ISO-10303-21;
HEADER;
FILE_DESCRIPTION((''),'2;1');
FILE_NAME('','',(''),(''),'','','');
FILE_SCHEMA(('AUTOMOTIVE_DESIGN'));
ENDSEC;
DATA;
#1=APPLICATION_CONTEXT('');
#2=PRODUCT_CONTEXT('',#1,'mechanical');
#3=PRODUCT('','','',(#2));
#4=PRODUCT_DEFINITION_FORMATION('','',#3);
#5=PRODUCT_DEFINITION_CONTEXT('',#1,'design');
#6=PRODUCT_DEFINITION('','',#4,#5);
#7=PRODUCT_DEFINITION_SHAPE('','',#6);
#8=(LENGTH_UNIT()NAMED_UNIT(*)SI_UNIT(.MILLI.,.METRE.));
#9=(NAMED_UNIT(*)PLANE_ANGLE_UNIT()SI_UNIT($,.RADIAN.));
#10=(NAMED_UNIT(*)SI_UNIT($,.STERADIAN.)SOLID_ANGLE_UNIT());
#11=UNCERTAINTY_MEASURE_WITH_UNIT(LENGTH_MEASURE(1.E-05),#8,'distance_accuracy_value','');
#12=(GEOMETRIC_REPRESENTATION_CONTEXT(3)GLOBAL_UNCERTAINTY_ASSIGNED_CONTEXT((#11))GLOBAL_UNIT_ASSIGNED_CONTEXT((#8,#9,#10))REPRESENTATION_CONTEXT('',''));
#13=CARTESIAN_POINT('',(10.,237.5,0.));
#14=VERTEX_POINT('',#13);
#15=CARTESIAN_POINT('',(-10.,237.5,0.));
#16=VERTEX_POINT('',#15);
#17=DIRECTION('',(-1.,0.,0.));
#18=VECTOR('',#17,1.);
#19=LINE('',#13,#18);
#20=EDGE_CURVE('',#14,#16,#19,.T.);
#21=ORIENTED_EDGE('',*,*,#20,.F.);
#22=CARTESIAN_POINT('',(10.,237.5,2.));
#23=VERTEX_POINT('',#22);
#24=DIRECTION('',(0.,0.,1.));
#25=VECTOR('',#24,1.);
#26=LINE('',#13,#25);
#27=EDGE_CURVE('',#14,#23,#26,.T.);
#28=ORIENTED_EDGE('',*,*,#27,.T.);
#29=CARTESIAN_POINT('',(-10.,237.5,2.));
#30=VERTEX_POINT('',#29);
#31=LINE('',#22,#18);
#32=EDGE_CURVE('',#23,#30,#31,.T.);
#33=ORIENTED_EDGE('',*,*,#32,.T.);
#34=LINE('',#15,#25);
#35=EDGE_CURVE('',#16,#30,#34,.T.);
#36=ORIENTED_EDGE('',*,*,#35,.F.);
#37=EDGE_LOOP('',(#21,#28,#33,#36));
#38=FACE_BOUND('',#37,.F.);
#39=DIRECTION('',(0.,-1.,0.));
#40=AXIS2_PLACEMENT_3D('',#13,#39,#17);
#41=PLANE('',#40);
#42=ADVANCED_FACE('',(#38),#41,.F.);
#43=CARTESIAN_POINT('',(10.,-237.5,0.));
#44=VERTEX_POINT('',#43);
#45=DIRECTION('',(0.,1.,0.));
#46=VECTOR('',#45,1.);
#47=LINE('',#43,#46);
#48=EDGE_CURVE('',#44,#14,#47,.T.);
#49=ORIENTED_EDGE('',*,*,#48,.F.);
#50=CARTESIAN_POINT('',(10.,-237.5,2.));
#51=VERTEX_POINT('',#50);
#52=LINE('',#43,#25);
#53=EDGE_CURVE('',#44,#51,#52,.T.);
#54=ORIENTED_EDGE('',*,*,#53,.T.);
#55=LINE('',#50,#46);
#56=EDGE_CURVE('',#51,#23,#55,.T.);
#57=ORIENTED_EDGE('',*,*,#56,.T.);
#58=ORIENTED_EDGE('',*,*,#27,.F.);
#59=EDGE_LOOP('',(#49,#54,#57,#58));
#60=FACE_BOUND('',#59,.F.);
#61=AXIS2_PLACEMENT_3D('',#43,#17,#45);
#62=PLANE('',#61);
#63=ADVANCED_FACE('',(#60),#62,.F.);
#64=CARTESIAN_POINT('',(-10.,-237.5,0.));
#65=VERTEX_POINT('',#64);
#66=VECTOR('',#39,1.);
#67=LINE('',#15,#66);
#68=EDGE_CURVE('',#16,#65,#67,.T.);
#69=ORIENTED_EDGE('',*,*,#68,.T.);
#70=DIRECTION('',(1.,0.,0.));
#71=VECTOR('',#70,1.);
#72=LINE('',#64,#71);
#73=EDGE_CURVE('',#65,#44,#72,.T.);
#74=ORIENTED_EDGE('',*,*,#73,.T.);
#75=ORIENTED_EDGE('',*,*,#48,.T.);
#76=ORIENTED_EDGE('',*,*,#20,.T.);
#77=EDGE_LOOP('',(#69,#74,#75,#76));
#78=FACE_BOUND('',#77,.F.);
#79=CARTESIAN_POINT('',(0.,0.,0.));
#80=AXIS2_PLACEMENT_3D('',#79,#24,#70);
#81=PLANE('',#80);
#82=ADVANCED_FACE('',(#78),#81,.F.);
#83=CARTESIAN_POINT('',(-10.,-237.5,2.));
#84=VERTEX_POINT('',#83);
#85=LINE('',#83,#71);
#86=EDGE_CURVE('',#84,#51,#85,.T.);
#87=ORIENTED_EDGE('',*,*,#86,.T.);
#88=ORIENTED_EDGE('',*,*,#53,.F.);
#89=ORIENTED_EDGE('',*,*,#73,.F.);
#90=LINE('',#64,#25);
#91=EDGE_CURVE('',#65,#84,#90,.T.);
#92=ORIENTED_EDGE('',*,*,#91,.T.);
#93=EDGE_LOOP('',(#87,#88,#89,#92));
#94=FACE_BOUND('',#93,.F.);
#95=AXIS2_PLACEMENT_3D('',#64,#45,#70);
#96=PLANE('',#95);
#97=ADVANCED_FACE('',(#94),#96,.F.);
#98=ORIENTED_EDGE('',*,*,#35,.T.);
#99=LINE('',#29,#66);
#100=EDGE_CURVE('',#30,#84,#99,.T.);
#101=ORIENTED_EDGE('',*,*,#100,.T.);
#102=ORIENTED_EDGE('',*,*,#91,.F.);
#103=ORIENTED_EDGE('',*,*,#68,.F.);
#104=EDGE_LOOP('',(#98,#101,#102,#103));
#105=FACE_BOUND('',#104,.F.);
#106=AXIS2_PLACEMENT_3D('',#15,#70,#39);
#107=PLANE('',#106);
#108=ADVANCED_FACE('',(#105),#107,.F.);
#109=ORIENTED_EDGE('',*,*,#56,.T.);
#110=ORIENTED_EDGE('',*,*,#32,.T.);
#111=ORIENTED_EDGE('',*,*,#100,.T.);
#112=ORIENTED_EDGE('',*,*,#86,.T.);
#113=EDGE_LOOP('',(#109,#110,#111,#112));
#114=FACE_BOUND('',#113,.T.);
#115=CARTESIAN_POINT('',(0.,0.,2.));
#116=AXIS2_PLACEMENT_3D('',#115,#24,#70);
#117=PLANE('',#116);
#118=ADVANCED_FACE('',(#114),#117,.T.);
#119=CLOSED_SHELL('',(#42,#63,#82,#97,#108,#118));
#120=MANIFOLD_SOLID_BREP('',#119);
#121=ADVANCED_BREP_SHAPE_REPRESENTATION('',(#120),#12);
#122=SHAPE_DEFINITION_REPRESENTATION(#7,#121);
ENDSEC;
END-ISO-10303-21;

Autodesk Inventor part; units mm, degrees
ref_plane "YZ Plane" through (0, 0, 0) normal (1, 0, 0) x (0, 1, 0)
ref_plane "XZ Plane" through (0, 0, 0) normal (0, 1, 0) x (-1, 0, 0)
ref_plane "XY Plane" through (0, 0, 0) normal (0, 0, 1) x (1, 0, 0)
sketch "Sketch1" plane through (0, 0, 0) normal (0, 0, 1) x (1, 0, 0)
  line L0 (10, 237.5) -> (-10, -237.5) construction
  line L1 (-10, -237.5) -> (10, -237.5)
  line L2 (10, -237.5) -> (10, 237.5)
  line L3 (10, 237.5) -> (-10, 237.5)
  line L4 (-10, 237.5) -> (-10, -237.5)
  line L5 (-10, -237.5) -> (10, 237.5) construction
  line L6 (10, -237.5) -> (-10, 237.5) construction
  point P0 (0, 0)
  point P1 (-180, -237.5)
  point P2 (-10, -192.5)
  dimension "d2" = 20
  dimension "d18" = 475
extrude "Plate1" add sketch "Sketch1" along normal blind 2
equation "\"d3\" = Thickness"
equation "\"BendRadius\" = Thickness"
equation "\"BendReliefWidth\" = Thickness"
equation "\"BendReliefDepth\" = 0.5 * Thickness"
equation "\"CornerReliefSize\" = 4 * Thickness"
equation "\"MinimumRemnant\" = 2 * Thickness"
equation "\"TransitionRadius\" = BendRadius"
equation "\"JacobiRadiusSize\" = BendRadius"
equation "\"GapSize\" = Thickness"
equation "\"Thickness\" = 2"
properties part number "PNS waste water bin 08"
